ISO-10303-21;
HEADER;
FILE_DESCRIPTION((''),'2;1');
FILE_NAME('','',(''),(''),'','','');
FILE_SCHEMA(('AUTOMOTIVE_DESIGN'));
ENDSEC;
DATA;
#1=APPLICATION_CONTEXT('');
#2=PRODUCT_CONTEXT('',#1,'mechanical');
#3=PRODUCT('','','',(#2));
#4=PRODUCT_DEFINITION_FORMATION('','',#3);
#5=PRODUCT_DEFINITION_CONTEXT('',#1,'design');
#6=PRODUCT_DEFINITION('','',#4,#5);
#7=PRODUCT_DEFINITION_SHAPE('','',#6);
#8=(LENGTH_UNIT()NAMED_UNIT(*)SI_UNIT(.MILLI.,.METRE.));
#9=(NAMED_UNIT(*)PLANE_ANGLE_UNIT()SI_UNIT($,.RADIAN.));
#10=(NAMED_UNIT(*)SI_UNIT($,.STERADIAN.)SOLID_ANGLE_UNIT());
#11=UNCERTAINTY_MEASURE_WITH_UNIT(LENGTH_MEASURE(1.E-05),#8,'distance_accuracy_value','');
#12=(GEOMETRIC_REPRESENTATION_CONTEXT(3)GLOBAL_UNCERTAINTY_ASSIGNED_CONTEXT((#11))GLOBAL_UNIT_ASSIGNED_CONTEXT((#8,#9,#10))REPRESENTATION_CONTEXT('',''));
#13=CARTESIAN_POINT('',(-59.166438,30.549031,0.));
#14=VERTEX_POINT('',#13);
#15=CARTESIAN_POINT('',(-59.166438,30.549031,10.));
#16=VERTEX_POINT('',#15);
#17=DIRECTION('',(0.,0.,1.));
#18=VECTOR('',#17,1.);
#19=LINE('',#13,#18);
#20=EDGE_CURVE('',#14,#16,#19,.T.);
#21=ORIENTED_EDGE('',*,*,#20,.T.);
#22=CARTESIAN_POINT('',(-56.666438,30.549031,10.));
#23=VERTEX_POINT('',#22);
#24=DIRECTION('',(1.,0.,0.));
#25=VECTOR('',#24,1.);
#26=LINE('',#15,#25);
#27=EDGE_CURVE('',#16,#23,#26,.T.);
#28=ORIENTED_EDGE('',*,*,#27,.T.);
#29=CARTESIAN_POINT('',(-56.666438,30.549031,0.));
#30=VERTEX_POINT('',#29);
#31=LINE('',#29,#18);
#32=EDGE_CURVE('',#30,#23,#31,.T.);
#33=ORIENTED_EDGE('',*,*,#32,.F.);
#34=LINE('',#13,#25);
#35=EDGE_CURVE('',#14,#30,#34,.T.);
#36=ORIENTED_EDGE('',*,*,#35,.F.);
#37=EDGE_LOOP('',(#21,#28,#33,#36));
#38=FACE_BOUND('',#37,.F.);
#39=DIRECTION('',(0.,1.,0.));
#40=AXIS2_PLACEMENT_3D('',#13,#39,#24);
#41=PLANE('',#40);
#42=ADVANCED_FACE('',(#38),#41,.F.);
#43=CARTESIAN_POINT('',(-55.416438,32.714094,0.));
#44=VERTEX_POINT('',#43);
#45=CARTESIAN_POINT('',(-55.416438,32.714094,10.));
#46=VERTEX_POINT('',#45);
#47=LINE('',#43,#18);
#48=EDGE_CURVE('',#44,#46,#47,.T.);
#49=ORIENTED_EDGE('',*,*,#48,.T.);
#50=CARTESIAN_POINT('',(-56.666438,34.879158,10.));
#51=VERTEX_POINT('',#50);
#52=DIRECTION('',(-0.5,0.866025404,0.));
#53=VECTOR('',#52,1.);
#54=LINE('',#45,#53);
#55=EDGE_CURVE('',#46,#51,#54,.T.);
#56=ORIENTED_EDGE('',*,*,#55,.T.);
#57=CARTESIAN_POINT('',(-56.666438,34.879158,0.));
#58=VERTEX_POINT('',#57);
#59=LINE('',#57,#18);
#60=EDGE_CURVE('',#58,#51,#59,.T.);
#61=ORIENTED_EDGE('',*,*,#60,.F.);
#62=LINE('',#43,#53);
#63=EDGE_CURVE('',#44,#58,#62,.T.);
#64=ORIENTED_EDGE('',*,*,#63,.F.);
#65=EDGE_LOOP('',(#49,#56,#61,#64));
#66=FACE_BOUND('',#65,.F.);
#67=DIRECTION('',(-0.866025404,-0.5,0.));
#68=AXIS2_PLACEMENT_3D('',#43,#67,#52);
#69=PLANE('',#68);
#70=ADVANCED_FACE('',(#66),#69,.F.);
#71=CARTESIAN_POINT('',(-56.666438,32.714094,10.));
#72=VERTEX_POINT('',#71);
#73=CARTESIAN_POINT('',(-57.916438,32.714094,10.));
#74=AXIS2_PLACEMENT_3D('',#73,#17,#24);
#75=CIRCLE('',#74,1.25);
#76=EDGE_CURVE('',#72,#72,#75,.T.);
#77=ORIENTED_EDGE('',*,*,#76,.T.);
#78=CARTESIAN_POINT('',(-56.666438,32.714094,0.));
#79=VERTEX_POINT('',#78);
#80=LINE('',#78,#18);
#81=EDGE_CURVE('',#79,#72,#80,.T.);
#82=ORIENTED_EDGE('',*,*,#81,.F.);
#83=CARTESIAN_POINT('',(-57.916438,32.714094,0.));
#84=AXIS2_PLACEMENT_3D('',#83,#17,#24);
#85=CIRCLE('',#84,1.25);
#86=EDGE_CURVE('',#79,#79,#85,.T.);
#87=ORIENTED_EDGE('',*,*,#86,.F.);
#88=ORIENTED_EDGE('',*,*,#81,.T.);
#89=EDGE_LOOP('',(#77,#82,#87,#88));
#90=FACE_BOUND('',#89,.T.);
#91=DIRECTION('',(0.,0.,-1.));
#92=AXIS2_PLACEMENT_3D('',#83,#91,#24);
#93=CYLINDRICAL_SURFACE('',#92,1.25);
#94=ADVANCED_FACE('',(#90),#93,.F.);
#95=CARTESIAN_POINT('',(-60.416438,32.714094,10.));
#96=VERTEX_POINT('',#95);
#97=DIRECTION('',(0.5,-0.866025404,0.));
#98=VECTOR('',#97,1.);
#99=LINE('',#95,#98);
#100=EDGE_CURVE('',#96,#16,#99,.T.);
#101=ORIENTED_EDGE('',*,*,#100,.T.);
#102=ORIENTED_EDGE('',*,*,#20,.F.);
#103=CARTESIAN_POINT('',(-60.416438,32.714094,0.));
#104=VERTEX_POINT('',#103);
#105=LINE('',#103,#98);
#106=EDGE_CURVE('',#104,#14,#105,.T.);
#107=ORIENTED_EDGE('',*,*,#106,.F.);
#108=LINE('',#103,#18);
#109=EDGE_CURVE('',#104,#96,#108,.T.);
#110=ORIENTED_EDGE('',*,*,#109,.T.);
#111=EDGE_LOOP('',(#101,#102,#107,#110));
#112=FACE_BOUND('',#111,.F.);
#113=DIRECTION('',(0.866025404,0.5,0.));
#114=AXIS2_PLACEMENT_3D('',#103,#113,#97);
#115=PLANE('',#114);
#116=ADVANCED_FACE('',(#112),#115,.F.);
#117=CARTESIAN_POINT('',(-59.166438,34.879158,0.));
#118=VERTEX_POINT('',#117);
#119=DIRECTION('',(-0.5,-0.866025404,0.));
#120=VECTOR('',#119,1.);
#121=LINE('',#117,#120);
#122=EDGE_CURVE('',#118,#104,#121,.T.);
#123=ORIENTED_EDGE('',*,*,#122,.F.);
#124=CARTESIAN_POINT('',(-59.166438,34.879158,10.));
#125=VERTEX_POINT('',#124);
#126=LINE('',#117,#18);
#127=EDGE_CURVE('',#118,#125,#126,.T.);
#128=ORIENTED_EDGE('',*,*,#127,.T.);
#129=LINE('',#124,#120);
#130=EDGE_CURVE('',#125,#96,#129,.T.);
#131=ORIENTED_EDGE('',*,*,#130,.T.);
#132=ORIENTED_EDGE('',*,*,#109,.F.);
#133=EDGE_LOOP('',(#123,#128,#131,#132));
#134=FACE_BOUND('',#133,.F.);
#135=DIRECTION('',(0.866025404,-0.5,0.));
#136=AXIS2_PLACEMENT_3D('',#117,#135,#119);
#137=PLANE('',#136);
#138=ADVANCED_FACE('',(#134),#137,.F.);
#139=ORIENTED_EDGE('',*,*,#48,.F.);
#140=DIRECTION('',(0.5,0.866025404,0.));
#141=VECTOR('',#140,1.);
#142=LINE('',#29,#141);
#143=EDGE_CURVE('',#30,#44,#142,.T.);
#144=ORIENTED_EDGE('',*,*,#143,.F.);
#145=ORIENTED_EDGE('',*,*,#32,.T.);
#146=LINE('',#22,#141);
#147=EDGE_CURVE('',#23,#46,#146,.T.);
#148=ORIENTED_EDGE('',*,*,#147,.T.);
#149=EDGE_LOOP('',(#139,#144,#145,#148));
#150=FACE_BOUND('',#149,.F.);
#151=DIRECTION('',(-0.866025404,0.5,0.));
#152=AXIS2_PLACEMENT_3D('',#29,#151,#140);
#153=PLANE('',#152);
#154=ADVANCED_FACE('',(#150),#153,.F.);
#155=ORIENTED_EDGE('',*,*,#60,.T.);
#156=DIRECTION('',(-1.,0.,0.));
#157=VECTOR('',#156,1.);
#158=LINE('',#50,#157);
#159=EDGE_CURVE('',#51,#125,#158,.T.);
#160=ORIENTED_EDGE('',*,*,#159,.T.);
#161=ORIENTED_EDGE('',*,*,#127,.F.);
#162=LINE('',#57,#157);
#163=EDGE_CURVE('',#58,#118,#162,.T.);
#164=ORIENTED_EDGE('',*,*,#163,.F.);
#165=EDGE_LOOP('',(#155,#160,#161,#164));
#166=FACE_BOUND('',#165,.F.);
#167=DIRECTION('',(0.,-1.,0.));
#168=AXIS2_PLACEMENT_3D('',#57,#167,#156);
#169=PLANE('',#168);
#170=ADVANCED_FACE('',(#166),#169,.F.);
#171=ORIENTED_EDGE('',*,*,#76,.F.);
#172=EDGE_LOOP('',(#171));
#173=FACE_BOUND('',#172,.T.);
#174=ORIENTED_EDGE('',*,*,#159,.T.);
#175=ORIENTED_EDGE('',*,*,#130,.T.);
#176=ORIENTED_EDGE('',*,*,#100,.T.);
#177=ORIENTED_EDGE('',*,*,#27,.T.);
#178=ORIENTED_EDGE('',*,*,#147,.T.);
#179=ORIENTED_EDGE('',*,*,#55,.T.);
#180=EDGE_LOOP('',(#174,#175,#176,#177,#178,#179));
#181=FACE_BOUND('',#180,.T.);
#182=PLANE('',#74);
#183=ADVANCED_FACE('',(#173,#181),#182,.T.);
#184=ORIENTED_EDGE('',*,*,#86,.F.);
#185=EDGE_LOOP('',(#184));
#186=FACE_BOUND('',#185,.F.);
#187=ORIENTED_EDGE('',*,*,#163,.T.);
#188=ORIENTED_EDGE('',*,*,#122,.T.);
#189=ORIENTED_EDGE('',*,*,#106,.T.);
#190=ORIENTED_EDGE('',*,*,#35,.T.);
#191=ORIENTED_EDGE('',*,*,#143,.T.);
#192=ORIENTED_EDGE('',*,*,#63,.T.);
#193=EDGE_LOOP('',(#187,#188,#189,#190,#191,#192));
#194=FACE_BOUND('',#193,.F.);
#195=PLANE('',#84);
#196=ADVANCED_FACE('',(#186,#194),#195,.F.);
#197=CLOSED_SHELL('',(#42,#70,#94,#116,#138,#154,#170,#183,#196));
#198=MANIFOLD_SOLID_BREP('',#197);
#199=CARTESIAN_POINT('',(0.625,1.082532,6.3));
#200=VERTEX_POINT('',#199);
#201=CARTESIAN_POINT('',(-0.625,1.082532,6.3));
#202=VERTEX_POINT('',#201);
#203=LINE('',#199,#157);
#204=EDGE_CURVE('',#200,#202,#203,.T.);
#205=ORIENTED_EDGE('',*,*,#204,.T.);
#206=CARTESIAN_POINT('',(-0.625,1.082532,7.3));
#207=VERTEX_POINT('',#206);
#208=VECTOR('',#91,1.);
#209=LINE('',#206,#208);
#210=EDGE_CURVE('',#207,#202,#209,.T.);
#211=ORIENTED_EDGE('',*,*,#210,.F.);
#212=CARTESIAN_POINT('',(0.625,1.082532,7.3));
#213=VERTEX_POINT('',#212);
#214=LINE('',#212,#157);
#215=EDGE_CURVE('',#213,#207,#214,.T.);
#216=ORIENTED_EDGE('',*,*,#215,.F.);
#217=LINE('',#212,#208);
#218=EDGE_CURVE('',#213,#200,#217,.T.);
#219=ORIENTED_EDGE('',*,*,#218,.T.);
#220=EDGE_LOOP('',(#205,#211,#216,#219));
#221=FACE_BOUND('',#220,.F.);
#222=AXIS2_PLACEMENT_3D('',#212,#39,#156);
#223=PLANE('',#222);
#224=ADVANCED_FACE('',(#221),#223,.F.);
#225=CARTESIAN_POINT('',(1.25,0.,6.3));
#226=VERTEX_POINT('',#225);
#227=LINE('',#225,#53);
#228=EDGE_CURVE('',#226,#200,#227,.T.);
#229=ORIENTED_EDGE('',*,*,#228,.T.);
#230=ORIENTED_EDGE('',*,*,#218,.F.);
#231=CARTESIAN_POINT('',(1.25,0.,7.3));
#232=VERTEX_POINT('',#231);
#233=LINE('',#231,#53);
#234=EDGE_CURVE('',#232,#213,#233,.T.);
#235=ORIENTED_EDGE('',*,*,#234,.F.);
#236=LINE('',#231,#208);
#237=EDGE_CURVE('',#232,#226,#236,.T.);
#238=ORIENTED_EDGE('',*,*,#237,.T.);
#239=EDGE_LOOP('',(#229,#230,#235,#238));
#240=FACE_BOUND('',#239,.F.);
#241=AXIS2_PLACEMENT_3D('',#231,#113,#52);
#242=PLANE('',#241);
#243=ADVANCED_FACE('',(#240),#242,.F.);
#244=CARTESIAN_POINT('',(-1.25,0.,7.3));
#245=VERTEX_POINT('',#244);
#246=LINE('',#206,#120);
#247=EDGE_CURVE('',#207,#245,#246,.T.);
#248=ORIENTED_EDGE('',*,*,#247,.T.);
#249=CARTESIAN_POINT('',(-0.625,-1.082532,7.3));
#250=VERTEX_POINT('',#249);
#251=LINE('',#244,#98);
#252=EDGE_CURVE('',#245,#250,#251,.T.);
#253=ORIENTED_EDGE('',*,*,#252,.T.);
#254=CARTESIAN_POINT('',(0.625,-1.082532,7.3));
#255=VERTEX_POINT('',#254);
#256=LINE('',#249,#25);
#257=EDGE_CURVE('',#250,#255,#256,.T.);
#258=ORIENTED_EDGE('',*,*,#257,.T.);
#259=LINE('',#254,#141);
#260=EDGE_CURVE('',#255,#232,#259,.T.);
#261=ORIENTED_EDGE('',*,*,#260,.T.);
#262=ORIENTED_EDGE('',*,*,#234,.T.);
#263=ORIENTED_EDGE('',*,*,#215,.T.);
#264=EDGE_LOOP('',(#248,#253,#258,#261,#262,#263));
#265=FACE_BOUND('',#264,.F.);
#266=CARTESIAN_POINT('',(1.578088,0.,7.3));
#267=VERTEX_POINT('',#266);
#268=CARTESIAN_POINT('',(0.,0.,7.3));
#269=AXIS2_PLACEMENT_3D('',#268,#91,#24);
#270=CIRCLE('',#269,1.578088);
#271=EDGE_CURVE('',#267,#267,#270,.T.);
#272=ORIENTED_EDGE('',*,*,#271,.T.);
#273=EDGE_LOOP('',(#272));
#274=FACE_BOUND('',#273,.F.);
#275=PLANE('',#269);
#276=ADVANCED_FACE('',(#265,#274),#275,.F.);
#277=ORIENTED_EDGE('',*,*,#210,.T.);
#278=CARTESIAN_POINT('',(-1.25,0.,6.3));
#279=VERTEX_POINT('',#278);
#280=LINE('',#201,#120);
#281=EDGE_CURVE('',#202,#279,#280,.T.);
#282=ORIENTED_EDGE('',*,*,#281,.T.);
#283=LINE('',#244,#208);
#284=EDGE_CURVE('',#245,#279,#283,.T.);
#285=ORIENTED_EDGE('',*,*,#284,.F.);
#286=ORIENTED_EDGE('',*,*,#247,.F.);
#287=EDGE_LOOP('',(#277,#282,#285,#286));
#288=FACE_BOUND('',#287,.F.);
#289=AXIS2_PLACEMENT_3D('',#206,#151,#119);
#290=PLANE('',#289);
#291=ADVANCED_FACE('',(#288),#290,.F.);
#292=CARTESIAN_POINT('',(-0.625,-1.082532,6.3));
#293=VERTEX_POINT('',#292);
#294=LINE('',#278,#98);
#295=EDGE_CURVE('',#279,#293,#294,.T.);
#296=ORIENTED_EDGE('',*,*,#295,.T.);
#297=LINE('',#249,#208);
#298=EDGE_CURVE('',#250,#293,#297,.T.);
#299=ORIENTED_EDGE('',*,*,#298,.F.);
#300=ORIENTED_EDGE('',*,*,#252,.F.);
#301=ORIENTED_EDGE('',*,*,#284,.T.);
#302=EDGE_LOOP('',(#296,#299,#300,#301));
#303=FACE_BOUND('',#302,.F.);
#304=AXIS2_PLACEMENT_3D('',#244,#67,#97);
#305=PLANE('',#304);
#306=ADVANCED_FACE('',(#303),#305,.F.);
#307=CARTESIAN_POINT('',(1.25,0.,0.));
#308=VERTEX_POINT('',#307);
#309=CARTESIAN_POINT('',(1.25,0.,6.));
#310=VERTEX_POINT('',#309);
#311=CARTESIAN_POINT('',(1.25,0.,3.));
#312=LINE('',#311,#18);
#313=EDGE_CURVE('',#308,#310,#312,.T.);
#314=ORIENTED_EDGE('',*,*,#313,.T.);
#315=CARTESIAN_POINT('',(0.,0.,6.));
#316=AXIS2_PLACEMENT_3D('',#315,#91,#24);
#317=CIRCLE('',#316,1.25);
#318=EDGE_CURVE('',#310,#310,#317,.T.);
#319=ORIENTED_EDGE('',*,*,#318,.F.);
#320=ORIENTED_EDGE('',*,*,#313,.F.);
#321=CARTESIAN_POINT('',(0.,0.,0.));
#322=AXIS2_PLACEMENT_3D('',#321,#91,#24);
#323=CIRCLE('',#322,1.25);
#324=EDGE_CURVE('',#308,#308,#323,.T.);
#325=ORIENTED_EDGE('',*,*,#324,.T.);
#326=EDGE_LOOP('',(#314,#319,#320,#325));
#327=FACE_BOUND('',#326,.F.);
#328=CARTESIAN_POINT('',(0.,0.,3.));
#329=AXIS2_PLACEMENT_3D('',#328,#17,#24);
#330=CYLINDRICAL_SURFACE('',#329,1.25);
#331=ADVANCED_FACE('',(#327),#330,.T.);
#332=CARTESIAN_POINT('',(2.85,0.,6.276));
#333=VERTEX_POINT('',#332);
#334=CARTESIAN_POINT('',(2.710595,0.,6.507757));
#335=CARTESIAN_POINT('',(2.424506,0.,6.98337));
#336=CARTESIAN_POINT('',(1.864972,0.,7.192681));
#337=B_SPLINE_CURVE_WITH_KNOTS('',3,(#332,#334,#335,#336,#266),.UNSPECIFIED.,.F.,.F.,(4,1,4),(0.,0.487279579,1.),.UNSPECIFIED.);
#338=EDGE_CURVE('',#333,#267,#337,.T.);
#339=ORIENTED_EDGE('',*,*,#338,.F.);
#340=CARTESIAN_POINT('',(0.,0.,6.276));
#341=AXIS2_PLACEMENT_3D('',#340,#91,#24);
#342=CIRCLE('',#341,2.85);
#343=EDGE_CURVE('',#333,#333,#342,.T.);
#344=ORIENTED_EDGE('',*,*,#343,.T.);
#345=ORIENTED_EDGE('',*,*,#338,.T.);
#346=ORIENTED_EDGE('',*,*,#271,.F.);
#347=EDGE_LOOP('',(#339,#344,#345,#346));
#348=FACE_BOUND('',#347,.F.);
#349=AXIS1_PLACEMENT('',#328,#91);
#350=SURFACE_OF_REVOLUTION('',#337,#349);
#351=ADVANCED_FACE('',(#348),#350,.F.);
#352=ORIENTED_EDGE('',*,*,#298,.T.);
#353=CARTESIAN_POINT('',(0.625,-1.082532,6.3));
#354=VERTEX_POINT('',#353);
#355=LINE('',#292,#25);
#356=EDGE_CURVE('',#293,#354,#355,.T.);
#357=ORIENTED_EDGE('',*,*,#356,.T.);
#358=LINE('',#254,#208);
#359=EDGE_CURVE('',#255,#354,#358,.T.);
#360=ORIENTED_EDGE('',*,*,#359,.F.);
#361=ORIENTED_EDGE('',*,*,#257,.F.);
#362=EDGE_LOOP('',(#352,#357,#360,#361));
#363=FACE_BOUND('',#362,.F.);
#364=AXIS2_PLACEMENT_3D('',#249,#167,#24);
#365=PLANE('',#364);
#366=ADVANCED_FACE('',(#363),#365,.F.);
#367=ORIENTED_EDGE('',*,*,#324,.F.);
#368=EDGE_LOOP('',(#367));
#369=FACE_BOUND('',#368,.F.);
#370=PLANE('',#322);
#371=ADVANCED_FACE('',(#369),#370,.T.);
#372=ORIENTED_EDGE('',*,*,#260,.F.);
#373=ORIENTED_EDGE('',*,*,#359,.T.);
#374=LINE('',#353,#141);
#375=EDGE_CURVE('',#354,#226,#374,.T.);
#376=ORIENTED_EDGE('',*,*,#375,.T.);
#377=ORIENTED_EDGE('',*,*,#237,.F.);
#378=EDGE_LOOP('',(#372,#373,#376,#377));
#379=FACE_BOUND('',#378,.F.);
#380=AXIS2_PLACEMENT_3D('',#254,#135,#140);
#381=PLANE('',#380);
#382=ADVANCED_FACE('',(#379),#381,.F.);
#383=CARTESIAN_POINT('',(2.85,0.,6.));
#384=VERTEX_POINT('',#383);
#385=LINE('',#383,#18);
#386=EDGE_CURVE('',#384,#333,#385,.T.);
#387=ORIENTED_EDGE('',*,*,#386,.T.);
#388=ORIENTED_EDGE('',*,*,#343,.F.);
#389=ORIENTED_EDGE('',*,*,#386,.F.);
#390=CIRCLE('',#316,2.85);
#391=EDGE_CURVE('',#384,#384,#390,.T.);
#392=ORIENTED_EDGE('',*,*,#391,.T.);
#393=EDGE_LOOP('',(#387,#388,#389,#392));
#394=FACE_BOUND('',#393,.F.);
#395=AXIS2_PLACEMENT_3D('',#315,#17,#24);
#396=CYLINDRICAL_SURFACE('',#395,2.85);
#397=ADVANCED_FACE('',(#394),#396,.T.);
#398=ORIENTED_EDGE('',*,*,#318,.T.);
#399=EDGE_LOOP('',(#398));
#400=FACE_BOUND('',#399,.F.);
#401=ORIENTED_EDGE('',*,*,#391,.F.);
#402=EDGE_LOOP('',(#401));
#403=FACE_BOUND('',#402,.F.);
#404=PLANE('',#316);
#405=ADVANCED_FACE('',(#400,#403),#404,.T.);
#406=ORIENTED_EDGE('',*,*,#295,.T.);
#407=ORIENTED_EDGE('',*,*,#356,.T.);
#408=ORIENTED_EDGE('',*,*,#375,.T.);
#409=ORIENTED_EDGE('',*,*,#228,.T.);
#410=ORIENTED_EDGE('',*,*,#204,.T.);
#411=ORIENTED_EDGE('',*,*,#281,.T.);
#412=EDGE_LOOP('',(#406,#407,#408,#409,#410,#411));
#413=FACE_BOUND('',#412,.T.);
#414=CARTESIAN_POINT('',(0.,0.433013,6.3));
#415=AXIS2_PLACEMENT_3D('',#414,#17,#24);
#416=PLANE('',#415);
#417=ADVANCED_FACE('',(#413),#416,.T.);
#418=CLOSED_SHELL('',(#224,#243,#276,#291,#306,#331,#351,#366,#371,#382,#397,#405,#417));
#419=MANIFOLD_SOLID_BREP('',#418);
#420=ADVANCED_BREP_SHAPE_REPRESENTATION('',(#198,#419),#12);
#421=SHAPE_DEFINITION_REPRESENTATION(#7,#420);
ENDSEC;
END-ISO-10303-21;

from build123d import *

# Parameters (mm, degrees)
F0_W     = 1.25
F0_H     = 6
F3_DEPTH = 1
F4_R     = 1.25
F5_DEPTH = 10


with BuildPart() as f1:
    # F0 (on Front) → F1 (revolve)
    with BuildSketch(Plane.XZ):
        with Locations((0.625, 3)):
            Rectangle(F0_W, F0_H)
        with BuildLine():
            Line((0, 7.3), (0, 6))
            Line((0, 6), (1.25, 6))
            Line((1.25, 6), (2.85, 6))
            Line((2.85, 6), (2.85, 6.276))
            add(Edge.make_bspline(
                [(2.85, 6.276), (2.7105947611, 6.5077565069), (2.424505943, 6.9833695162), (1.8649721857, 7.1926814812), (1.578087802, 7.3)],
                knots=[0, 0, 0, 0, 0.4872795789, 1, 1, 1, 1], degree=3))
            Line((1.578087802, 7.3), (0, 7.3))
        make_face()
    revolve(axis=Axis((0, 0, 3), (0, 0, -1)))

    # F2 (on face) → F3 (cut)
    with BuildSketch(Plane.XY.offset(7.3)):
        Polygon((-1.25, 0), (1.25, 0), (0.625, 1.0825317547), (-0.625, 1.0825317547), align=None)
        Polygon((0.625, -1.0825317547), (1.25, 0), (-1.25, 0), (-0.625, -1.0825317547), align=None)
    extrude(amount=-F3_DEPTH, mode=Mode.SUBTRACT)


with BuildPart() as f5:
    # F4 (on Top) → F5 (new body)
    with BuildSketch(Plane.XY):
        Polygon((-56.666437649, 30.5490305749), (-55.416437649, 32.7140940844), (-56.666437649, 34.8791575939), (-59.166437649, 34.8791575939), (-60.416437649, 32.7140940844), (-59.166437649, 30.5490305749), align=None)
        with Locations((-57.916437649, 32.7140940844)):
            Circle(F4_R, mode=Mode.SUBTRACT)
    extrude(amount=F5_DEPTH)


solid = Compound([f1.part, f5.part])
